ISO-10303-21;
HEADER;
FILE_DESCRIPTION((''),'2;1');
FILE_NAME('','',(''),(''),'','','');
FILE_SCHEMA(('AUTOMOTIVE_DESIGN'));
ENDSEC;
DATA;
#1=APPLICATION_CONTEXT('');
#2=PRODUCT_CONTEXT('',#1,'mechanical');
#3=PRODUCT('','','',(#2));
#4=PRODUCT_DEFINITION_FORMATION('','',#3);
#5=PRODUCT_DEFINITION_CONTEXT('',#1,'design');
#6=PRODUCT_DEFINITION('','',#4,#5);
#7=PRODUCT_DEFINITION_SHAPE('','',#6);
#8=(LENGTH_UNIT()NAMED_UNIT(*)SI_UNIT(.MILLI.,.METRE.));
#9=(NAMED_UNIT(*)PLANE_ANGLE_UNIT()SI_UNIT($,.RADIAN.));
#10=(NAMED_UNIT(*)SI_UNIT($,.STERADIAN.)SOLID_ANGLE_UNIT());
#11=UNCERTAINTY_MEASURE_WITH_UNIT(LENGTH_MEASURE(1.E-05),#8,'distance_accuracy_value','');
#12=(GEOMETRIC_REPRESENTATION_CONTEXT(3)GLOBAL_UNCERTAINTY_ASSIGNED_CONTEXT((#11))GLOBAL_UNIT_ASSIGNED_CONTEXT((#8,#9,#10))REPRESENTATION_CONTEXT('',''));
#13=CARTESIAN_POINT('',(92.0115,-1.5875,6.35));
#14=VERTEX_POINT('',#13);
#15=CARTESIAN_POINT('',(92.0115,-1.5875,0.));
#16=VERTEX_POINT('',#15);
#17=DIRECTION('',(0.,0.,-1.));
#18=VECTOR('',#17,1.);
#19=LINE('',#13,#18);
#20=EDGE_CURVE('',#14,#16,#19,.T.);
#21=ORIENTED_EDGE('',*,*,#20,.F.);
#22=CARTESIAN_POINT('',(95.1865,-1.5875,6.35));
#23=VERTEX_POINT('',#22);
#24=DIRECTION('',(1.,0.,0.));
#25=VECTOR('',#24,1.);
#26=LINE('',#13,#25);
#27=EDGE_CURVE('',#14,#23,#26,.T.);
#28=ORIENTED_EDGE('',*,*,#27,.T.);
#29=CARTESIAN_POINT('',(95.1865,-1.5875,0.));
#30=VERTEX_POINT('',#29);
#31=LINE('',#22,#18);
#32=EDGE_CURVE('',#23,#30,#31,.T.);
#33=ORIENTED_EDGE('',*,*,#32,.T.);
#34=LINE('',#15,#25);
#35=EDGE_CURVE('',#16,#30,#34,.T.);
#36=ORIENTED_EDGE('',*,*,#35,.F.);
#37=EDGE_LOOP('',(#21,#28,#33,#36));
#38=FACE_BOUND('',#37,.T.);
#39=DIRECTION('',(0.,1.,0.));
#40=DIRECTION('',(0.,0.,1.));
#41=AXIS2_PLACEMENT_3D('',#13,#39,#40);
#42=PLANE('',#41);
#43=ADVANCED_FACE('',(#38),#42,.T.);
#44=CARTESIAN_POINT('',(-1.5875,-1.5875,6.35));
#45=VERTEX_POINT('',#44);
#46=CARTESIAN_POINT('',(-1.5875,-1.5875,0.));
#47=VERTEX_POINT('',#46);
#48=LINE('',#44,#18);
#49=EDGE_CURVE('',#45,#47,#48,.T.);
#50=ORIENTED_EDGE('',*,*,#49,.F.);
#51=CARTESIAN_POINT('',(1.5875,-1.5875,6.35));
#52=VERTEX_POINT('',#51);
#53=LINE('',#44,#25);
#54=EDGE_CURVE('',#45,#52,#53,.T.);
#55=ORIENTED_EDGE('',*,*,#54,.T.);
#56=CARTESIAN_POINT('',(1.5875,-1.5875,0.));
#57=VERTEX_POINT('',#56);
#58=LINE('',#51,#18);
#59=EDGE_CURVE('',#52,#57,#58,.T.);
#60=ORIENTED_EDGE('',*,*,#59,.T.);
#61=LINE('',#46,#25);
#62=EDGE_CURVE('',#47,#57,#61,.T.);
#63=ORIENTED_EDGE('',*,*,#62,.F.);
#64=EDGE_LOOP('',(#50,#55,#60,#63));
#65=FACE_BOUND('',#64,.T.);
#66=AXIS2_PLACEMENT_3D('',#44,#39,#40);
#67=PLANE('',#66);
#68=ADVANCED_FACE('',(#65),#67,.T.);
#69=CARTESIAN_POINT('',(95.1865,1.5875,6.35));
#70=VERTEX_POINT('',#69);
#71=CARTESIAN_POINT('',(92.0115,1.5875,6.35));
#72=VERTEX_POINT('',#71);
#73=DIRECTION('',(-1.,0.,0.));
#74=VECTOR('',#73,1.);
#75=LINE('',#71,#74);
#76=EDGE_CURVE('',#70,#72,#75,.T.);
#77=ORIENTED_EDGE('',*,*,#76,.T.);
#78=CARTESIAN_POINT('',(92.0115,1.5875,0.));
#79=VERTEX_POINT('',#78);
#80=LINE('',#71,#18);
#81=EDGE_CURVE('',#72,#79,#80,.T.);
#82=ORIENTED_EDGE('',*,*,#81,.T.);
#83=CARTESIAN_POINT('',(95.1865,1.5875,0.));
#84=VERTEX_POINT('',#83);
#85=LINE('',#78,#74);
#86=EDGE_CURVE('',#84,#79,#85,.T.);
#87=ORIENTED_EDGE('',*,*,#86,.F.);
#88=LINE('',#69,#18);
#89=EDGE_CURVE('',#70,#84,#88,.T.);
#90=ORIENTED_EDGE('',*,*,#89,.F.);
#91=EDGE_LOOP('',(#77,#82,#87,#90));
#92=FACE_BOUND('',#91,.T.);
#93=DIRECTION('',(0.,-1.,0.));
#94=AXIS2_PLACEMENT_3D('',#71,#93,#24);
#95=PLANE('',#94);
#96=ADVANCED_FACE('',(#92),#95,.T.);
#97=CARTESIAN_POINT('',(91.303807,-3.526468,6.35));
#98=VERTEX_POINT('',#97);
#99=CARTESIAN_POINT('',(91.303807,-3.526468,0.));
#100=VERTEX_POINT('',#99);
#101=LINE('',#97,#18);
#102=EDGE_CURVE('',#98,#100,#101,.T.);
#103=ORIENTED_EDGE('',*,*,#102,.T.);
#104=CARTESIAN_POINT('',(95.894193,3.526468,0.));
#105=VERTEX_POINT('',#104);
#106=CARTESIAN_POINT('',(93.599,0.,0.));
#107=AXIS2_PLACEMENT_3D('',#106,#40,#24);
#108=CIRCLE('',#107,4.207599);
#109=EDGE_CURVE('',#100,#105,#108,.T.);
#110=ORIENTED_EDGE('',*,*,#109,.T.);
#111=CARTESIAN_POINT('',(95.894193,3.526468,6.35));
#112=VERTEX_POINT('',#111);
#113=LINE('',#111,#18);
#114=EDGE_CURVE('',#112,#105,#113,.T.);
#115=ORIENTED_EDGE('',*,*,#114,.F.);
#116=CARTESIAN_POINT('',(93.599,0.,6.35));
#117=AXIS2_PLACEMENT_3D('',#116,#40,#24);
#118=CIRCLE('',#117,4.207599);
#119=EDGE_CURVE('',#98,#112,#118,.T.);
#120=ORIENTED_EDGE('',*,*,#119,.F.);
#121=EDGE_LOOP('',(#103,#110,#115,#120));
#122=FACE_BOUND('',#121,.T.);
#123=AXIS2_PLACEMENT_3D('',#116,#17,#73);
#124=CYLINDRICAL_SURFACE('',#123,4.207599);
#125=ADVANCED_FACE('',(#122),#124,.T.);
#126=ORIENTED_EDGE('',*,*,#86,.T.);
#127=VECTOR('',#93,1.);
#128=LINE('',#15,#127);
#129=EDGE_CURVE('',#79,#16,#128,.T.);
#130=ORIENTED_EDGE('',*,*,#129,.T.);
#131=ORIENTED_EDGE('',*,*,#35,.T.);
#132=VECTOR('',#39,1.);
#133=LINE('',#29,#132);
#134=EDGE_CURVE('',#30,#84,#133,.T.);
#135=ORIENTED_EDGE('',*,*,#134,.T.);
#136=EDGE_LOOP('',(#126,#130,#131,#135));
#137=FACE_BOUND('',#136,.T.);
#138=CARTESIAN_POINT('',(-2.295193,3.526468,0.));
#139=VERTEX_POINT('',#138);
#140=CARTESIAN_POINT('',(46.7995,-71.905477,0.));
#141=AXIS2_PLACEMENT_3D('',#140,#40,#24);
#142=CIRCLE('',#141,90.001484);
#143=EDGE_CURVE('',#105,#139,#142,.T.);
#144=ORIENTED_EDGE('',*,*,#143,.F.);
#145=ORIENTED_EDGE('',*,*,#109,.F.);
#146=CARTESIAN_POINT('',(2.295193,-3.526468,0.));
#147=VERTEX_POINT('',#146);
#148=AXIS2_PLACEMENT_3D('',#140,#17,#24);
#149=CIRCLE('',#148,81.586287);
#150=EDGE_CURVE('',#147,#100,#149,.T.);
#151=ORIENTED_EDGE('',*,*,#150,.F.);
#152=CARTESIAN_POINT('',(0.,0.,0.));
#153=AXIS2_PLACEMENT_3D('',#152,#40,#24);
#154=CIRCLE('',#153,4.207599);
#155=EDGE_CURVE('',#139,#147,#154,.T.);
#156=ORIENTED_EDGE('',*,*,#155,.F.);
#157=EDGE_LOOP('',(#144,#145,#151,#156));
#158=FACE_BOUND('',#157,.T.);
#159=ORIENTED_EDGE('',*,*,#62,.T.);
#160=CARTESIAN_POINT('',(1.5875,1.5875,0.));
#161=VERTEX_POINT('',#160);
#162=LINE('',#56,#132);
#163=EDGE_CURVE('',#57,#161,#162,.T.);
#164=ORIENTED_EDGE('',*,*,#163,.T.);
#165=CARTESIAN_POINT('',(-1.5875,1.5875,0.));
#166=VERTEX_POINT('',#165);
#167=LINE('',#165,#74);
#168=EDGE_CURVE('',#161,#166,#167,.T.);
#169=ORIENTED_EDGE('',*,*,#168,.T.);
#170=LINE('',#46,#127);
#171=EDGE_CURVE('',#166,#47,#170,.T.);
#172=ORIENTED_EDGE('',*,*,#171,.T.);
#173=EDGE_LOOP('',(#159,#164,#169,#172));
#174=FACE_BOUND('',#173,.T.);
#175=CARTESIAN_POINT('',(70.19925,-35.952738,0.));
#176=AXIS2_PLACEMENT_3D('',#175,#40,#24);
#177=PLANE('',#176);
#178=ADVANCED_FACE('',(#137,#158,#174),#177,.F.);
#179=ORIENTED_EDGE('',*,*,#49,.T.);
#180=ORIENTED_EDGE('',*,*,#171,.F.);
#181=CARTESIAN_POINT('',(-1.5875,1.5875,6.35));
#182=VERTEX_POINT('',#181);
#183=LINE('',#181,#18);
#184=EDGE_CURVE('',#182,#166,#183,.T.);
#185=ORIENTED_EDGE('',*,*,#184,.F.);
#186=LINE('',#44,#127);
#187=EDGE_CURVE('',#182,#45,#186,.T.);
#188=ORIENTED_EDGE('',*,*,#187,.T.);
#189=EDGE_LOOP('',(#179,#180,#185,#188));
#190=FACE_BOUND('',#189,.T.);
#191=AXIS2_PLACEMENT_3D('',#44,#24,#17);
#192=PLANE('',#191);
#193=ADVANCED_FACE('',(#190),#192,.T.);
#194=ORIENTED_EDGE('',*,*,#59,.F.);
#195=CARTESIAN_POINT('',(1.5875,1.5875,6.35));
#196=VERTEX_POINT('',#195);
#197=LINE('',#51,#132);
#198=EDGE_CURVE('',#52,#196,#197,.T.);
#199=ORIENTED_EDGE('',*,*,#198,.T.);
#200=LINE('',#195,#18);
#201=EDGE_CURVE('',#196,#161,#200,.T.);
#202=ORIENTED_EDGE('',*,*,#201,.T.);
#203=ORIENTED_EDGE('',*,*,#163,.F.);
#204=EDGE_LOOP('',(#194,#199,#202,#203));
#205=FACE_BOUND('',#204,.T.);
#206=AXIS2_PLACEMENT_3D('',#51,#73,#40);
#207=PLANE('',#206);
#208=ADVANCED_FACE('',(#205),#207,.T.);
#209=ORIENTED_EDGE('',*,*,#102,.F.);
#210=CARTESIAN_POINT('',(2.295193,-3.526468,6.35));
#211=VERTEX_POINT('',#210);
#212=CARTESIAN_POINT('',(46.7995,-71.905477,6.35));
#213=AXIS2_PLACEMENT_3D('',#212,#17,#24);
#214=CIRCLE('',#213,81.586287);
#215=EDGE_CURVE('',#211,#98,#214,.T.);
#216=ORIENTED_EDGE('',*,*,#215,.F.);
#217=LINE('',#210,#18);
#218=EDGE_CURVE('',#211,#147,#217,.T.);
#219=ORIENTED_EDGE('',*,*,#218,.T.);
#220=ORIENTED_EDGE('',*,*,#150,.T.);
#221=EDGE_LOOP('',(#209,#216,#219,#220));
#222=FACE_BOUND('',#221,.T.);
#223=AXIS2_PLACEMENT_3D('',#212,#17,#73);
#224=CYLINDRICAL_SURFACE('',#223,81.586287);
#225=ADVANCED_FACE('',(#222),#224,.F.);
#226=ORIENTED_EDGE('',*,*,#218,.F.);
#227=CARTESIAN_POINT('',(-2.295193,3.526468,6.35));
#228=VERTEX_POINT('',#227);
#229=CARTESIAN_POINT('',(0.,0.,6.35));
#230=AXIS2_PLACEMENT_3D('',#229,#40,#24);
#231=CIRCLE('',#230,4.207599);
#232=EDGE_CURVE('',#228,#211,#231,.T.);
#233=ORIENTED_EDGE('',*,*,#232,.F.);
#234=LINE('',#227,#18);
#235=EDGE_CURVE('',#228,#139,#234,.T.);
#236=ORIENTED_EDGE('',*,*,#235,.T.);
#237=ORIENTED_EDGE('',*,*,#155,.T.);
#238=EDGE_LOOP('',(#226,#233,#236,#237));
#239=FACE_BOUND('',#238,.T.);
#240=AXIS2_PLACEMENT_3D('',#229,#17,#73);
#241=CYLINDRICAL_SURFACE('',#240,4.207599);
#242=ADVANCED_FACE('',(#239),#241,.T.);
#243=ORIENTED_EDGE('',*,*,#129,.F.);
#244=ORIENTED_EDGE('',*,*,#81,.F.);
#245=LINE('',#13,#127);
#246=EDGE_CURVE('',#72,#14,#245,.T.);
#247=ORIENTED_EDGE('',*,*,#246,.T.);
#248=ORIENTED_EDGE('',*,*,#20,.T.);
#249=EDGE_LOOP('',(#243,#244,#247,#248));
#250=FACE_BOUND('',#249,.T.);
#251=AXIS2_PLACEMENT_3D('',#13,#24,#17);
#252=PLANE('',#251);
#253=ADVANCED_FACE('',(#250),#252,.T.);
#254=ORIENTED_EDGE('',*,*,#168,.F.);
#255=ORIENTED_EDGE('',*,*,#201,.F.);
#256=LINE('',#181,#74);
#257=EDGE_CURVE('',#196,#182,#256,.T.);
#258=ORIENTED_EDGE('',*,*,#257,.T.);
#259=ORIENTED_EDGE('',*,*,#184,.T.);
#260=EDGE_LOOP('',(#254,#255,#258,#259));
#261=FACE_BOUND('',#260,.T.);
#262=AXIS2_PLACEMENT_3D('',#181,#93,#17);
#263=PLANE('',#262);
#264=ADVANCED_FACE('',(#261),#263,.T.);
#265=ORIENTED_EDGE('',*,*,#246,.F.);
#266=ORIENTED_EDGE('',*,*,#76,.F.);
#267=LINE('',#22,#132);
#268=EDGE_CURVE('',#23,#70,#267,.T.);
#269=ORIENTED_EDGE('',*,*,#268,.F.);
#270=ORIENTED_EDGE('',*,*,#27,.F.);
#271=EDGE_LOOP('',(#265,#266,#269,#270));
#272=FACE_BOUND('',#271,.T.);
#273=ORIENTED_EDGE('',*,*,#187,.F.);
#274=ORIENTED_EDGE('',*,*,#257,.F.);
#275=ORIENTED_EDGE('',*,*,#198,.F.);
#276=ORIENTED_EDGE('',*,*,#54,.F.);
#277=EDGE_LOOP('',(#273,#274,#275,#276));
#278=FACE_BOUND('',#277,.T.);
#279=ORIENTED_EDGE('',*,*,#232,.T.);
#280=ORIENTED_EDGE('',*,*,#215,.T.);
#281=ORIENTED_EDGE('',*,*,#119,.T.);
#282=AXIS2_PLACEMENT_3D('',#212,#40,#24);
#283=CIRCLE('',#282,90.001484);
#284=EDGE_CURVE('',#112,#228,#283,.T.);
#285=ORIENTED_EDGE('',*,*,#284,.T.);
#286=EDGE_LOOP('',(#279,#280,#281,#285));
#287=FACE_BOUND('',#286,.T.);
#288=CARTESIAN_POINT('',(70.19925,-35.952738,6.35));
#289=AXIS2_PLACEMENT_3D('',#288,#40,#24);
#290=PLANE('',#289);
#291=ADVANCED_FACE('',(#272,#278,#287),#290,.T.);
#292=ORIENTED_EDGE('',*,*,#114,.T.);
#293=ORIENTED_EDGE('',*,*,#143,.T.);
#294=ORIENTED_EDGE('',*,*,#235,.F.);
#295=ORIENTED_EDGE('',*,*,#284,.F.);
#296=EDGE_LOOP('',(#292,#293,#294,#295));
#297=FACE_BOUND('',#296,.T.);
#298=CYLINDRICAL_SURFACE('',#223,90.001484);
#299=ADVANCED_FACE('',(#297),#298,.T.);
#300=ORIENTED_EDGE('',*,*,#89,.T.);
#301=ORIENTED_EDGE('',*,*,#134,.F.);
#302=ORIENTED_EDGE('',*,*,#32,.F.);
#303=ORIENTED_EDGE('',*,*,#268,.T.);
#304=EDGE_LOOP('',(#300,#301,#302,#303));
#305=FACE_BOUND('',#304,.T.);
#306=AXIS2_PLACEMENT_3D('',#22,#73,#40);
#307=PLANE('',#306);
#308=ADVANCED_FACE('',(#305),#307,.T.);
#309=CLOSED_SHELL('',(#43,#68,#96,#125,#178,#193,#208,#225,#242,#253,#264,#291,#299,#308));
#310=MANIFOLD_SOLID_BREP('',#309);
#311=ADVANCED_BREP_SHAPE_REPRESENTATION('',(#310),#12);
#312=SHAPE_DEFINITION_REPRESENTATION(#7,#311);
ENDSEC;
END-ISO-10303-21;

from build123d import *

# Parameters (mm, degrees)
SKETCH1_W           = 3.175
SKETCH1_H           = 3.175
BOSS_EXTRUDE1_DEPTH = 6.35


with BuildPart() as part:
    # Sketch1 → Boss-Extrude1 (new body)
    with BuildSketch(Plane.XY):
        with BuildLine():
            ThreePointArc((95.894192869, 3.526467972), (46.7995, 18.096007393), (-2.295192869, 3.526467972))
            ThreePointArc((-2.295192869, 3.526467972), (-3.526467972, -2.295192869), (2.295192869, -3.526467972))
            ThreePointArc((2.295192869, -3.526467972), (46.7995, 9.68081003), (91.303807131, -3.526467972))
            ThreePointArc((91.303807131, -3.526467972), (97.125467972, -2.295192869), (95.894192869, 3.526467972))
        make_face()
        with Locations((93.599, 0)):
            Rectangle(SKETCH1_W, SKETCH1_H, mode=Mode.SUBTRACT)
        Rectangle(SKETCH1_W, SKETCH1_H, mode=Mode.SUBTRACT)
    extrude(amount=BOSS_EXTRUDE1_DEPTH)


solid = part.part
